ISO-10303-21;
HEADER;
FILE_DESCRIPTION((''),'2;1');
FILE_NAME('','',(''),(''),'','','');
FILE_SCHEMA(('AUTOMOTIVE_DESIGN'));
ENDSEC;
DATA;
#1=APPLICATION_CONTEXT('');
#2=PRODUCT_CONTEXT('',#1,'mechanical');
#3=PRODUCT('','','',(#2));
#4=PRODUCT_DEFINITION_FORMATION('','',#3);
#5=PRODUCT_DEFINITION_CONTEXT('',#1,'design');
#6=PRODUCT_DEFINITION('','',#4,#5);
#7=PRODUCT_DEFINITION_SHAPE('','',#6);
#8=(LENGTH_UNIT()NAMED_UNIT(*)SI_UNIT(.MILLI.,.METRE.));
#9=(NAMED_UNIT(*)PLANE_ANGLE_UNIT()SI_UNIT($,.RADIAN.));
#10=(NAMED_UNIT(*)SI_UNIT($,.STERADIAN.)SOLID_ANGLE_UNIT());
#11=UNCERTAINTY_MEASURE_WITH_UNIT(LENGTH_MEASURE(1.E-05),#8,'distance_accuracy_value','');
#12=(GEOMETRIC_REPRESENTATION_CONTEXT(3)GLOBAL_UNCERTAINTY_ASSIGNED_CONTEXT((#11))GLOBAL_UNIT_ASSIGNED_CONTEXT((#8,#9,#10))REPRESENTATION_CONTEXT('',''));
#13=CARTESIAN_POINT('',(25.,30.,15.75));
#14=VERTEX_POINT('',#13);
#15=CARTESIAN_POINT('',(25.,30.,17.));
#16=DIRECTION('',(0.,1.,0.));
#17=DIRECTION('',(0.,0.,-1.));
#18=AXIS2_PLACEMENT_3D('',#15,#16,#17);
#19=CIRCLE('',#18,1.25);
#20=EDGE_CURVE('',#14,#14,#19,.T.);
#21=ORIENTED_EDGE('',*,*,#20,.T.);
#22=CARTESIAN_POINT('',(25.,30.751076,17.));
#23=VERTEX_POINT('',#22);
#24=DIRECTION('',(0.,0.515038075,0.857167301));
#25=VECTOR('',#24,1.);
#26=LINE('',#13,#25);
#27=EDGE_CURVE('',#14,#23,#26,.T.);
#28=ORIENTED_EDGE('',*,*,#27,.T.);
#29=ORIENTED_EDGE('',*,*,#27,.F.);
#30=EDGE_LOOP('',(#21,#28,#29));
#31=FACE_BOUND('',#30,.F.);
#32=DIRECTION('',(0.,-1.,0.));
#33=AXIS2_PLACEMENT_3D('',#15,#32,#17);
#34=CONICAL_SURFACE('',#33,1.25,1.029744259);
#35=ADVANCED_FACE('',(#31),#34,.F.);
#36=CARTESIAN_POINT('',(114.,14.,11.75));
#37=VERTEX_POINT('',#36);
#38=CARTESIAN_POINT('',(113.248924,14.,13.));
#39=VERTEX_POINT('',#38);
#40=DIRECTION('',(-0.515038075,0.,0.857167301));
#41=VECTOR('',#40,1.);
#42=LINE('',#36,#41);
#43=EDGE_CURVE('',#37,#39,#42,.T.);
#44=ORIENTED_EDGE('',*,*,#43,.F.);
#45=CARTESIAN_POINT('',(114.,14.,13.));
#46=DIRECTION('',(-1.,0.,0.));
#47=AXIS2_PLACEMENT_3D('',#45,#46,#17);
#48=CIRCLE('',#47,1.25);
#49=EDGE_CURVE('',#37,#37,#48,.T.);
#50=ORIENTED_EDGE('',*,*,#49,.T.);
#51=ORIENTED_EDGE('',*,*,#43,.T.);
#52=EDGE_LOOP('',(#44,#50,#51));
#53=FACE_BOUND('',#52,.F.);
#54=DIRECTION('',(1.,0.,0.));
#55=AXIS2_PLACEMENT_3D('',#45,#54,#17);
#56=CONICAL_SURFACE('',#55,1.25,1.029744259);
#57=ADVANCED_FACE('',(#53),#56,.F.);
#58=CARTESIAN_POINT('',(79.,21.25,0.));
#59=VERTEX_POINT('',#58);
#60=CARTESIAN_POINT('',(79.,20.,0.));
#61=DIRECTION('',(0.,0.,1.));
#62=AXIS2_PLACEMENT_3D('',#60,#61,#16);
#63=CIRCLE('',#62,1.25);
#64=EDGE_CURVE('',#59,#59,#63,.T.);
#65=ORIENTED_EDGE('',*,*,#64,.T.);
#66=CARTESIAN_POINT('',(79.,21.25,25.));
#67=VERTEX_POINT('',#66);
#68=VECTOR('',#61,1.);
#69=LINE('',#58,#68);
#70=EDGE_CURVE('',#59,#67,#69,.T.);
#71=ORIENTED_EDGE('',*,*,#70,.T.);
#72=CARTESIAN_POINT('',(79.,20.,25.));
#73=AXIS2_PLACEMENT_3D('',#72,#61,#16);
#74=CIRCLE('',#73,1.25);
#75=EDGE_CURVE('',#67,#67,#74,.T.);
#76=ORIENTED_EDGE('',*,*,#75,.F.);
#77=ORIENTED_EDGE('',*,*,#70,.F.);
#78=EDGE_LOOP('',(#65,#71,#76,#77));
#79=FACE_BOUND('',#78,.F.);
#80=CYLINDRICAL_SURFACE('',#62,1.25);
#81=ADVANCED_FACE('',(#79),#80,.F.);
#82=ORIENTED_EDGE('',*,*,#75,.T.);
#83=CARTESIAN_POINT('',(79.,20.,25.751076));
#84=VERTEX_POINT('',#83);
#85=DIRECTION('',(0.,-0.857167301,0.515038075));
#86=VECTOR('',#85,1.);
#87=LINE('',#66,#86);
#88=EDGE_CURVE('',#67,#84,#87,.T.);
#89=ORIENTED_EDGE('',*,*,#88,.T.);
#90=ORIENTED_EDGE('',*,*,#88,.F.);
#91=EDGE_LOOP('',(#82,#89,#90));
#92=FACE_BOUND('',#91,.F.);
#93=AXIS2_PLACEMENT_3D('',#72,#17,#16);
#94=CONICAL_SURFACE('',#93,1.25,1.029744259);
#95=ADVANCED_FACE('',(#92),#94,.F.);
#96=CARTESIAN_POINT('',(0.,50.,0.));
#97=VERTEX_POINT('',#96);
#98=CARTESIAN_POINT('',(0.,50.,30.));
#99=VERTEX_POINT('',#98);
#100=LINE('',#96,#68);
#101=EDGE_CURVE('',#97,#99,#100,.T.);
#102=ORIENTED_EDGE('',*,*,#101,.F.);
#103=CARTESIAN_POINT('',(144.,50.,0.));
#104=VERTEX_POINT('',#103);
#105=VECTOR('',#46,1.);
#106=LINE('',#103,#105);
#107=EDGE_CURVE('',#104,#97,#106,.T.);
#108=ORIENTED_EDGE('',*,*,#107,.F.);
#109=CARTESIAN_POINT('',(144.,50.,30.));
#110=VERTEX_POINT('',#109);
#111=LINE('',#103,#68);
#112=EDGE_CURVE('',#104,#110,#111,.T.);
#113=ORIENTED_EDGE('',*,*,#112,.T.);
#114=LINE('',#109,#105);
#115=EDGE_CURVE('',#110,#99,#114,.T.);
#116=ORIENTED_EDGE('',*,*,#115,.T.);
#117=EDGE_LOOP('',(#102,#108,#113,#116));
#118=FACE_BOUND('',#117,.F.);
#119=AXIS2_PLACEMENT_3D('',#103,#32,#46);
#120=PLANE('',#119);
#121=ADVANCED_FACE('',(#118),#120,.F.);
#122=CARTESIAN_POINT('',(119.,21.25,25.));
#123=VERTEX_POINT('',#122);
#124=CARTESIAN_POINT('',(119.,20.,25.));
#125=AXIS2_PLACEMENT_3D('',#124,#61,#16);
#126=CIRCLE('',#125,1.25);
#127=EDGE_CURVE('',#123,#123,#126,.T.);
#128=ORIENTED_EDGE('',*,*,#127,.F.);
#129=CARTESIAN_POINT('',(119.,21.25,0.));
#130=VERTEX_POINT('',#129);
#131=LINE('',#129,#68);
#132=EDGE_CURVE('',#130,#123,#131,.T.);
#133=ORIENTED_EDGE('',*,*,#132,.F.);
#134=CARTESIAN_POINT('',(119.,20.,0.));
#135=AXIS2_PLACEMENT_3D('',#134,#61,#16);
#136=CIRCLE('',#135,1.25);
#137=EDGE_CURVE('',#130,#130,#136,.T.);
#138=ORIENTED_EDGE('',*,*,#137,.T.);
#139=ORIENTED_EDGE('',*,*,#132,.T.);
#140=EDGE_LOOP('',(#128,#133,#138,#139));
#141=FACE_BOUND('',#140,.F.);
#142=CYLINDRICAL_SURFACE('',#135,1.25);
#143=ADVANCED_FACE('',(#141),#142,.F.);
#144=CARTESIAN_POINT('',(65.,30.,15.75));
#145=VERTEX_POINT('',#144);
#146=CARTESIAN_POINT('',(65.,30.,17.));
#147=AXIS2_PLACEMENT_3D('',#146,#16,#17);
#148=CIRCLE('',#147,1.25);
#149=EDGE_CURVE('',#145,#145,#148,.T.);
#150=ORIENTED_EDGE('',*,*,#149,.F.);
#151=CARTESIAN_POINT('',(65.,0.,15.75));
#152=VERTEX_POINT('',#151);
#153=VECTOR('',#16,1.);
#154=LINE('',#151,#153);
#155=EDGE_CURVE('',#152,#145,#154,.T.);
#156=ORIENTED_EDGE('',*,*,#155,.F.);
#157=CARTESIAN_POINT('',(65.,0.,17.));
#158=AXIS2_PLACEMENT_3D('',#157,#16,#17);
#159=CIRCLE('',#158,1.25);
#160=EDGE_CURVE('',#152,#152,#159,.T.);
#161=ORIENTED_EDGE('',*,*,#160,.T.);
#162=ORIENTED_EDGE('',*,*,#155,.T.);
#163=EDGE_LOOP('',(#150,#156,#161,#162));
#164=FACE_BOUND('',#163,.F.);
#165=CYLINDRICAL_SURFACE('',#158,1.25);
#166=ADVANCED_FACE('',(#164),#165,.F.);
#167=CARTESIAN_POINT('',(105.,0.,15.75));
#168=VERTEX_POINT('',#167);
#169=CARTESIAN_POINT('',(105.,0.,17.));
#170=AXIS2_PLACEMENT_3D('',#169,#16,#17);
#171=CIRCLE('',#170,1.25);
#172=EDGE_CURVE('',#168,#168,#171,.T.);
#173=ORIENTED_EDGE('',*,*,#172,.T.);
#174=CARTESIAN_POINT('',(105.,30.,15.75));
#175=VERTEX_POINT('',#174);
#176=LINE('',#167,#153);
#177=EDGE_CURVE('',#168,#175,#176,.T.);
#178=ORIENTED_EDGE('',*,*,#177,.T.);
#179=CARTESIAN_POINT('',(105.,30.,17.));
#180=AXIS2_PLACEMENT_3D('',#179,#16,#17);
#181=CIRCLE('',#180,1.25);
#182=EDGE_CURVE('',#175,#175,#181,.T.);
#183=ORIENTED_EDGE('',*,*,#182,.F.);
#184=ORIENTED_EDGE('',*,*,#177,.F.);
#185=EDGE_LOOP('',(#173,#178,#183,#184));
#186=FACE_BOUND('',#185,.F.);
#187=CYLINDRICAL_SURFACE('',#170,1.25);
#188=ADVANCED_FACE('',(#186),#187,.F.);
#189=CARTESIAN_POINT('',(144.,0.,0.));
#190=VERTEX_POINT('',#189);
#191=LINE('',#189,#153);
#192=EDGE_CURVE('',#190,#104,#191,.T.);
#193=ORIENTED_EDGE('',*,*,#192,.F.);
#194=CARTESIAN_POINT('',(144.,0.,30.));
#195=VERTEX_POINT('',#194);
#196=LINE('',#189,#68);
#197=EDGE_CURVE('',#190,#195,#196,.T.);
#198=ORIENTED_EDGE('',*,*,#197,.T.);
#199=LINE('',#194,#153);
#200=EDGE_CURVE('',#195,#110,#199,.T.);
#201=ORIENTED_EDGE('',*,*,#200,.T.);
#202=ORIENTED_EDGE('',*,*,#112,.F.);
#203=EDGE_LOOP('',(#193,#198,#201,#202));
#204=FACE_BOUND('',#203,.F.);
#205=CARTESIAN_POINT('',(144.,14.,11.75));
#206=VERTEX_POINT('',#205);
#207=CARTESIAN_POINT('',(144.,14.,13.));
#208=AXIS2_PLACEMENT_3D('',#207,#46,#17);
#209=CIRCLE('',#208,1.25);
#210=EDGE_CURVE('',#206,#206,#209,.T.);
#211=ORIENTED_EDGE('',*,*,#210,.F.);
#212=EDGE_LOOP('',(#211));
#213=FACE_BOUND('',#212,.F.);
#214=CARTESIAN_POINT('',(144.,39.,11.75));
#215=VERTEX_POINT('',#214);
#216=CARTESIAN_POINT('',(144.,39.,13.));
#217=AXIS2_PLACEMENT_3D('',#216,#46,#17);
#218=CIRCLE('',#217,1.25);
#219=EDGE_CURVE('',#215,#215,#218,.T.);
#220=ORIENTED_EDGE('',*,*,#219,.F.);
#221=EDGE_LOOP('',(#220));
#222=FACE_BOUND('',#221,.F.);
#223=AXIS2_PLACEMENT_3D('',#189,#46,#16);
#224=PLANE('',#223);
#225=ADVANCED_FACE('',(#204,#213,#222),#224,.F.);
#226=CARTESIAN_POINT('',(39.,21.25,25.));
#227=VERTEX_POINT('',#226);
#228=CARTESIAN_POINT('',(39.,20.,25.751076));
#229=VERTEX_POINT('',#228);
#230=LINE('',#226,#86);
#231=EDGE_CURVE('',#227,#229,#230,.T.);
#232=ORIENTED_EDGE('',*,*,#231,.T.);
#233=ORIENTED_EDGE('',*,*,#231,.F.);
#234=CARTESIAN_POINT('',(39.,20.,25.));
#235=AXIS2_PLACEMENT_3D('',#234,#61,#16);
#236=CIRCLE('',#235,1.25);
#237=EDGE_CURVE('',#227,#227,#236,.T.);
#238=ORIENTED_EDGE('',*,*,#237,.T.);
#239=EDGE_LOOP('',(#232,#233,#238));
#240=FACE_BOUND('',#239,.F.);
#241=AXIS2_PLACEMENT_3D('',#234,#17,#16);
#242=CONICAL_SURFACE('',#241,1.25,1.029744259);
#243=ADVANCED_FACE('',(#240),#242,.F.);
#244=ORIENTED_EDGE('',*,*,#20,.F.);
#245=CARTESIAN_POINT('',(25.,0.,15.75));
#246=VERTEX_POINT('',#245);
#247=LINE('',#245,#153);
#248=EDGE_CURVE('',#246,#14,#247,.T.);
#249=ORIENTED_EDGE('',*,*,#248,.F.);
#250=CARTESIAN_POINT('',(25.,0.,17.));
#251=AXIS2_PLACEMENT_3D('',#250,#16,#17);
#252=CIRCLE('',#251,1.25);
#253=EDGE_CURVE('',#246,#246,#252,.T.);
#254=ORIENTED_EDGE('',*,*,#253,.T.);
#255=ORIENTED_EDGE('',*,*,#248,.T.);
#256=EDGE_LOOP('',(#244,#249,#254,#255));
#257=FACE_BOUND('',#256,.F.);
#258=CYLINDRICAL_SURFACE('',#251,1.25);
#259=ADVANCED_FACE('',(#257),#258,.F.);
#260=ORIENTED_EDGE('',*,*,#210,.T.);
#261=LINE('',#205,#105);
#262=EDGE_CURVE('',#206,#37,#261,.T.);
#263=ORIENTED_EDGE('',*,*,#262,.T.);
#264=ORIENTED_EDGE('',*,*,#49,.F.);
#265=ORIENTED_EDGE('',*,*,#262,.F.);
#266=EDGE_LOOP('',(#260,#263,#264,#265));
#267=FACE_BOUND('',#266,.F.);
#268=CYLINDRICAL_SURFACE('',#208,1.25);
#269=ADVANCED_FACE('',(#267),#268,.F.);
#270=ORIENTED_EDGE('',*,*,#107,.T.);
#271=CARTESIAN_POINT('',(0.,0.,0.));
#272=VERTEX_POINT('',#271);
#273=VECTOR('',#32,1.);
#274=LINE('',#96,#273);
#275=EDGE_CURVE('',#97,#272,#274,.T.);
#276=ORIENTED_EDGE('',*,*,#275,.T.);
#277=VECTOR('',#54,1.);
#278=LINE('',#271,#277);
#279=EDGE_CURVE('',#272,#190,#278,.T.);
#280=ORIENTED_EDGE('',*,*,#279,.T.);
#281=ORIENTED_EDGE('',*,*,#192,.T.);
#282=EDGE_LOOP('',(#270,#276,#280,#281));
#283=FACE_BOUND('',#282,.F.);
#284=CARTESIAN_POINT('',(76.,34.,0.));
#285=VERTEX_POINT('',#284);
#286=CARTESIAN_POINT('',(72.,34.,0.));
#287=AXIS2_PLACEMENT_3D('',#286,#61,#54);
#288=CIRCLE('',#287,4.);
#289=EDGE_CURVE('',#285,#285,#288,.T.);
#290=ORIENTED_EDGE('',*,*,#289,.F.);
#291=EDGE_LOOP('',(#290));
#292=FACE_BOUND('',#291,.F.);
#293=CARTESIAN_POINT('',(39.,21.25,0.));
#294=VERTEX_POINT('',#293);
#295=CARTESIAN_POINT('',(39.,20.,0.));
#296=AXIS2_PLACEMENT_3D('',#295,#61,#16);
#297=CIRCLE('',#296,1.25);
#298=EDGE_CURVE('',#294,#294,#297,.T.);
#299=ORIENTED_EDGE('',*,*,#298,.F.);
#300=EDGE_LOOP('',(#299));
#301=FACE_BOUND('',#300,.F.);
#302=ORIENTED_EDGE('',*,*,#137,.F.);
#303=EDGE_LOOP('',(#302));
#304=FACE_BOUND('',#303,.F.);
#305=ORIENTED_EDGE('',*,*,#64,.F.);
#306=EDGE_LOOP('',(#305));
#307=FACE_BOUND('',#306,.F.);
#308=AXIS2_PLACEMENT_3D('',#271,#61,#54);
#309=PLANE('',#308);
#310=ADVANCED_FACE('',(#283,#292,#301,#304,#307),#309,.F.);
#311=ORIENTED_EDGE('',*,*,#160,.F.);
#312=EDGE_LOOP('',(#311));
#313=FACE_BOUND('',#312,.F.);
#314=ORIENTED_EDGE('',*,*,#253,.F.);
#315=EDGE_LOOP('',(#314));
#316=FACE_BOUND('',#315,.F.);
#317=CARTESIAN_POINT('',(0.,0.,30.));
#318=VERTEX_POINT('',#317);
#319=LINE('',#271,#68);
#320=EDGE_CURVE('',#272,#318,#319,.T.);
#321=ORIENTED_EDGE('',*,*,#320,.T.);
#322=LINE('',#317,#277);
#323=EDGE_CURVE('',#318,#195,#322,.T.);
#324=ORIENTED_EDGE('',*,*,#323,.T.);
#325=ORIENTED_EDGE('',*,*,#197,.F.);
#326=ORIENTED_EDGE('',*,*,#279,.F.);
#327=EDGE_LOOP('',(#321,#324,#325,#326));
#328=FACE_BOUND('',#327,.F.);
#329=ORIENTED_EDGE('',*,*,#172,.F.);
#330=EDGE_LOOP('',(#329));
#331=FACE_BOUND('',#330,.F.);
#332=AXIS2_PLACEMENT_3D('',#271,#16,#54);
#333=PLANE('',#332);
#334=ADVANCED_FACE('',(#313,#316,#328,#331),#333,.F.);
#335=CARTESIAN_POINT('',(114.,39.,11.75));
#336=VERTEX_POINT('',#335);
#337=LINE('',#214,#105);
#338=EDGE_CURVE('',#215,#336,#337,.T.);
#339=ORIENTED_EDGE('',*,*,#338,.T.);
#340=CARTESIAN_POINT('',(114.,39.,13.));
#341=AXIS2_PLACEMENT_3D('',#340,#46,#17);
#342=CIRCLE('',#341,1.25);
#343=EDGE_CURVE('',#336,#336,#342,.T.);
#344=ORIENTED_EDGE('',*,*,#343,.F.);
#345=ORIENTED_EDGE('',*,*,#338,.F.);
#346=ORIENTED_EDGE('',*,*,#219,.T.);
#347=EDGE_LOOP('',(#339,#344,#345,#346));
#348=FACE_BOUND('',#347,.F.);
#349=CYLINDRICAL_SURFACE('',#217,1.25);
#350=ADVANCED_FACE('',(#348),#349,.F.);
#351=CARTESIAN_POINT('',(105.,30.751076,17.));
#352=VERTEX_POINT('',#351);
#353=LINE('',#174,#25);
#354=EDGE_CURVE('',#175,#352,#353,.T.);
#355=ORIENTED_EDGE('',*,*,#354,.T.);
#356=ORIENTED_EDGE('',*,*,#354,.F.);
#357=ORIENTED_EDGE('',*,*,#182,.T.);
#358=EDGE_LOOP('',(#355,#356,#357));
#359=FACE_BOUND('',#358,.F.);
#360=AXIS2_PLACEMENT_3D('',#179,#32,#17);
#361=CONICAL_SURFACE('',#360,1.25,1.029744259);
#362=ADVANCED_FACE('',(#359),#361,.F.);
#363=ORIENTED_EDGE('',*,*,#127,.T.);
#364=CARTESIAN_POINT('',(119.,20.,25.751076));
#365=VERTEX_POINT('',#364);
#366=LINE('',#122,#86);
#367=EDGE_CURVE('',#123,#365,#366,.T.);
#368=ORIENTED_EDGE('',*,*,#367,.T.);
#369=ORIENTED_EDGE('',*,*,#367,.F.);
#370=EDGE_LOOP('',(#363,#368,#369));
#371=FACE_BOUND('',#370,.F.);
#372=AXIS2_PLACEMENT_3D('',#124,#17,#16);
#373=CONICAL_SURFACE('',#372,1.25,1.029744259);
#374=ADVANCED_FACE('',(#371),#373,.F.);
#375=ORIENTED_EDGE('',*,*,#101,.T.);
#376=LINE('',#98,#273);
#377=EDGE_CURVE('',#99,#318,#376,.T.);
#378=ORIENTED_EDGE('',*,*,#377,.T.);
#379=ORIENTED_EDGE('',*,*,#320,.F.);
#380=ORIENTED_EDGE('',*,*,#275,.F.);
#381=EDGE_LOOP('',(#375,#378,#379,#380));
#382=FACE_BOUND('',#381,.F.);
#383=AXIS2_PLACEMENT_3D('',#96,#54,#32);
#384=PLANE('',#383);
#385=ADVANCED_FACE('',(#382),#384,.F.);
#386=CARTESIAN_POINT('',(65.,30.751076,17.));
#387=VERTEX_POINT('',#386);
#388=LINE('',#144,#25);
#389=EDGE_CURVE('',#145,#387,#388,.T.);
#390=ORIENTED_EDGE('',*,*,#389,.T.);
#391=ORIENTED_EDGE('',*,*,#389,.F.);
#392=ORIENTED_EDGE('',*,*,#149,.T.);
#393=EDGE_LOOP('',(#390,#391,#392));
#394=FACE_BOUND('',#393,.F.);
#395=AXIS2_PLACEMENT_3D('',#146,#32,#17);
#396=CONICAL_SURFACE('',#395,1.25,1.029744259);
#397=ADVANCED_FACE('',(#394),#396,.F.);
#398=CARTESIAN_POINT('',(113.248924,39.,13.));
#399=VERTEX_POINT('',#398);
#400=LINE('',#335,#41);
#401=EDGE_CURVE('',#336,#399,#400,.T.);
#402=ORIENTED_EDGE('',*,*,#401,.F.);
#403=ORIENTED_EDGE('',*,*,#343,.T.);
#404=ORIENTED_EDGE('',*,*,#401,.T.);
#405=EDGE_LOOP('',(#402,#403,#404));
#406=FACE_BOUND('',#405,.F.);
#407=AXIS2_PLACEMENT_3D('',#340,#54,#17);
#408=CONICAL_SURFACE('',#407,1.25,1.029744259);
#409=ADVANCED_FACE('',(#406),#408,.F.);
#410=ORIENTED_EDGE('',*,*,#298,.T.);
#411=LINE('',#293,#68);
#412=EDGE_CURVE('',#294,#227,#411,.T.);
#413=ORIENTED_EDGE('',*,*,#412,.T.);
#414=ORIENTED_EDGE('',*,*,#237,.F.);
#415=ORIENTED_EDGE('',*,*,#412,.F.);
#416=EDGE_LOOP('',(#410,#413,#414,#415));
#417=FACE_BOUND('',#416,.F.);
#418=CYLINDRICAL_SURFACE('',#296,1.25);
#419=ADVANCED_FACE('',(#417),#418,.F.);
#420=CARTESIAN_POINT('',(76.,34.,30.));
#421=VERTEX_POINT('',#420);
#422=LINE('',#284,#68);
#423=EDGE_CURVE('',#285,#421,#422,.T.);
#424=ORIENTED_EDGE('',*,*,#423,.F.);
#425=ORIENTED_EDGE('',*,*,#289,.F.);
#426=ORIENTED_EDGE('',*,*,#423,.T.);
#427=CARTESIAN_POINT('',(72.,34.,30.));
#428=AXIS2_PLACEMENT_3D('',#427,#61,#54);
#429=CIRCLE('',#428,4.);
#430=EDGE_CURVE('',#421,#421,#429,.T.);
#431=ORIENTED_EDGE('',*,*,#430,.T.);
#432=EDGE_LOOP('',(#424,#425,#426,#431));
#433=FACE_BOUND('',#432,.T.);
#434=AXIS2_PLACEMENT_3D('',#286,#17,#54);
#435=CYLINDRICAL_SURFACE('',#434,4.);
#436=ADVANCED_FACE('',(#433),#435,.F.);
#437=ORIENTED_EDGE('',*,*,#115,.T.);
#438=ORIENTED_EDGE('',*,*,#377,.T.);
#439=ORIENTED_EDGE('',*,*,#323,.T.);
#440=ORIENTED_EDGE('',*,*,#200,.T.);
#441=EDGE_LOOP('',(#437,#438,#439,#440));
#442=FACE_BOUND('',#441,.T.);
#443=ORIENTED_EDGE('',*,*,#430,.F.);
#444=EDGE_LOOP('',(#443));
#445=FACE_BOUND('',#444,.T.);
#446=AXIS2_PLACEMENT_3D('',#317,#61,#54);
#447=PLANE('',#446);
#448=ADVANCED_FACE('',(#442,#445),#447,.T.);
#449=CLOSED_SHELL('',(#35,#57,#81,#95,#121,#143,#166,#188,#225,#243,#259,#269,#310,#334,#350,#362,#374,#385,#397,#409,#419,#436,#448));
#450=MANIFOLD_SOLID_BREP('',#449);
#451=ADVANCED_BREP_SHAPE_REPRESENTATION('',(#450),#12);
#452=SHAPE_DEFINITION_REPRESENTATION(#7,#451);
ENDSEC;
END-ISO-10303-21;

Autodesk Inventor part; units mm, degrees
ref_plane "YZ Plane" through (0, 0, 0) normal (1, 0, 0) x (0, 1, 0)
ref_plane "XZ Plane" through (0, 0, 0) normal (0, 1, 0) x (-1, 0, 0)
ref_plane "XY Plane" through (0, 0, 0) normal (0, 0, 1) x (1, 0, 0)
sketch "Skizze1" plane through (0, 0, 0) normal (0, 0, 1) x (1, 0, 0)
  line L0 (0, 0) -> (144, 0)
  line L1 (144, 50) -> (0, 50)
  line L2 (72, 50) -> (72, 0) construction
  circle A0 centre (72, 34) radius 4
  line L3 (0, 50) -> (0, 0)
  line L4 (144, 0) -> (144, 50)
  line L5 (0, 20) -> (144, 20) construction
  line L6 (0, 34) -> (144, 34) construction
  circle A1 centre (105, 20) radius 1.5
  circle A2 centre (25, 20) radius 1.5
  circle A3 centre (65, 20) radius 1.5
  dimension "d17" = 8
  dimension "d207" = 50
  dimension "d224" = 144
  dimension "d225" = 20
  dimension "d226" = 34
  dimension "d228" = 3
  dimension "d229" = 3
  dimension "d232" = 3
  dimension "d233" = 7
  dimension "d234" = 40
  dimension "d235" = 40
extrude "Extrusion1" add sketch "Skizze1" along normal blind 30 contours L3 L1 L4 L0 | A1 | A2 | A3
sketch "Skizze7" plane through (0, 0, 0) normal (0, 0, -1) x (-1, 0, 0)
  line L0 (0, 0) -> (-144, 0) construction
  line L1 (-144, 50) -> (0, 50) construction
  line L2 (-144, 0) -> (-144, 50) construction
  line L3 (0, 50) -> (0, 0) construction
  line L4 (-144, 0) -> (-144, 50) projected
  line L5 (-144, 20) -> (0, 20) construction
  line L6 (0, 0) -> (-144, 0) construction
  line L7 (-72, 0) -> (-72, 50) construction
  point P0 (-79, 20)
  point P1 (-119, 20)
  point P2 (-39, 20)
  dimension "d236" = 7
  dimension "d237" = 20
  dimension "d238" = 40
  dimension "d239" = 40
hole "Bohrung19" at (79, 20, 0) at (119, 20, 0) at (39, 20, 0) direction (0, 0, 1) diameter 2.5 depth 25 tip angle 118
sketch "Skizze8" plane through (0, 0, 0) normal (0, -1, 0) x (1, 0, 0)
  line L0 (144, 0) -> (144, 30) construction
  line L1 (0, 30) -> (144, 30) construction
  line L2 (0, 0) -> (144, 0) construction
  line L3 (144, 0) -> (144, 30) construction
  line L4 (0, 30) -> (144, 30) construction
  line L5 (0, 0) -> (0, 30) construction
  line L6 (144, 17) -> (0, 17) construction
  line L7 (25, 30) -> (25, 0) construction
  line L8 (0, 0) -> (144, 0) construction
  point P0 (25, 17)
  point P1 (65, 17)
  point P2 (105, 17)
  dimension "d247" = 17
  dimension "d248" = 25
  dimension "d249" = 40
  dimension "d250" = 40
hole "Bohrung20" at (25, 0, 17) at (65, 0, 17) at (105, 0, 17) direction (0, 1, 0) diameter 2.5 depth 30 tip angle 118
sketch "Skizze9" plane through (144, 0, 0) normal (1, 0, 0) x (0, 0, -1)
  line L0 (0, 0) -> (0, 50) construction
  line L1 (0, 50) -> (-30, 50) construction
  line L2 (-30, 0) -> (-30, 50) construction
  line L3 (0, 0) -> (-30, 0) construction
  line L4 (0, 0) -> (-30, 0) construction
  line L5 (-13, 0) -> (-13, 50) construction
  point P0 (-13, 14)
  point P1 (-13, 39)
  dimension "d258" = 13
  dimension "d259" = 14
  dimension "d261" = 25
hole "Bohrung21" at (144, 14, 13) at (144, 39, 13) direction (-1, 0, 0) diameter 2.5 depth 30 tip angle 118
properties part number "licht_150_support_right"
